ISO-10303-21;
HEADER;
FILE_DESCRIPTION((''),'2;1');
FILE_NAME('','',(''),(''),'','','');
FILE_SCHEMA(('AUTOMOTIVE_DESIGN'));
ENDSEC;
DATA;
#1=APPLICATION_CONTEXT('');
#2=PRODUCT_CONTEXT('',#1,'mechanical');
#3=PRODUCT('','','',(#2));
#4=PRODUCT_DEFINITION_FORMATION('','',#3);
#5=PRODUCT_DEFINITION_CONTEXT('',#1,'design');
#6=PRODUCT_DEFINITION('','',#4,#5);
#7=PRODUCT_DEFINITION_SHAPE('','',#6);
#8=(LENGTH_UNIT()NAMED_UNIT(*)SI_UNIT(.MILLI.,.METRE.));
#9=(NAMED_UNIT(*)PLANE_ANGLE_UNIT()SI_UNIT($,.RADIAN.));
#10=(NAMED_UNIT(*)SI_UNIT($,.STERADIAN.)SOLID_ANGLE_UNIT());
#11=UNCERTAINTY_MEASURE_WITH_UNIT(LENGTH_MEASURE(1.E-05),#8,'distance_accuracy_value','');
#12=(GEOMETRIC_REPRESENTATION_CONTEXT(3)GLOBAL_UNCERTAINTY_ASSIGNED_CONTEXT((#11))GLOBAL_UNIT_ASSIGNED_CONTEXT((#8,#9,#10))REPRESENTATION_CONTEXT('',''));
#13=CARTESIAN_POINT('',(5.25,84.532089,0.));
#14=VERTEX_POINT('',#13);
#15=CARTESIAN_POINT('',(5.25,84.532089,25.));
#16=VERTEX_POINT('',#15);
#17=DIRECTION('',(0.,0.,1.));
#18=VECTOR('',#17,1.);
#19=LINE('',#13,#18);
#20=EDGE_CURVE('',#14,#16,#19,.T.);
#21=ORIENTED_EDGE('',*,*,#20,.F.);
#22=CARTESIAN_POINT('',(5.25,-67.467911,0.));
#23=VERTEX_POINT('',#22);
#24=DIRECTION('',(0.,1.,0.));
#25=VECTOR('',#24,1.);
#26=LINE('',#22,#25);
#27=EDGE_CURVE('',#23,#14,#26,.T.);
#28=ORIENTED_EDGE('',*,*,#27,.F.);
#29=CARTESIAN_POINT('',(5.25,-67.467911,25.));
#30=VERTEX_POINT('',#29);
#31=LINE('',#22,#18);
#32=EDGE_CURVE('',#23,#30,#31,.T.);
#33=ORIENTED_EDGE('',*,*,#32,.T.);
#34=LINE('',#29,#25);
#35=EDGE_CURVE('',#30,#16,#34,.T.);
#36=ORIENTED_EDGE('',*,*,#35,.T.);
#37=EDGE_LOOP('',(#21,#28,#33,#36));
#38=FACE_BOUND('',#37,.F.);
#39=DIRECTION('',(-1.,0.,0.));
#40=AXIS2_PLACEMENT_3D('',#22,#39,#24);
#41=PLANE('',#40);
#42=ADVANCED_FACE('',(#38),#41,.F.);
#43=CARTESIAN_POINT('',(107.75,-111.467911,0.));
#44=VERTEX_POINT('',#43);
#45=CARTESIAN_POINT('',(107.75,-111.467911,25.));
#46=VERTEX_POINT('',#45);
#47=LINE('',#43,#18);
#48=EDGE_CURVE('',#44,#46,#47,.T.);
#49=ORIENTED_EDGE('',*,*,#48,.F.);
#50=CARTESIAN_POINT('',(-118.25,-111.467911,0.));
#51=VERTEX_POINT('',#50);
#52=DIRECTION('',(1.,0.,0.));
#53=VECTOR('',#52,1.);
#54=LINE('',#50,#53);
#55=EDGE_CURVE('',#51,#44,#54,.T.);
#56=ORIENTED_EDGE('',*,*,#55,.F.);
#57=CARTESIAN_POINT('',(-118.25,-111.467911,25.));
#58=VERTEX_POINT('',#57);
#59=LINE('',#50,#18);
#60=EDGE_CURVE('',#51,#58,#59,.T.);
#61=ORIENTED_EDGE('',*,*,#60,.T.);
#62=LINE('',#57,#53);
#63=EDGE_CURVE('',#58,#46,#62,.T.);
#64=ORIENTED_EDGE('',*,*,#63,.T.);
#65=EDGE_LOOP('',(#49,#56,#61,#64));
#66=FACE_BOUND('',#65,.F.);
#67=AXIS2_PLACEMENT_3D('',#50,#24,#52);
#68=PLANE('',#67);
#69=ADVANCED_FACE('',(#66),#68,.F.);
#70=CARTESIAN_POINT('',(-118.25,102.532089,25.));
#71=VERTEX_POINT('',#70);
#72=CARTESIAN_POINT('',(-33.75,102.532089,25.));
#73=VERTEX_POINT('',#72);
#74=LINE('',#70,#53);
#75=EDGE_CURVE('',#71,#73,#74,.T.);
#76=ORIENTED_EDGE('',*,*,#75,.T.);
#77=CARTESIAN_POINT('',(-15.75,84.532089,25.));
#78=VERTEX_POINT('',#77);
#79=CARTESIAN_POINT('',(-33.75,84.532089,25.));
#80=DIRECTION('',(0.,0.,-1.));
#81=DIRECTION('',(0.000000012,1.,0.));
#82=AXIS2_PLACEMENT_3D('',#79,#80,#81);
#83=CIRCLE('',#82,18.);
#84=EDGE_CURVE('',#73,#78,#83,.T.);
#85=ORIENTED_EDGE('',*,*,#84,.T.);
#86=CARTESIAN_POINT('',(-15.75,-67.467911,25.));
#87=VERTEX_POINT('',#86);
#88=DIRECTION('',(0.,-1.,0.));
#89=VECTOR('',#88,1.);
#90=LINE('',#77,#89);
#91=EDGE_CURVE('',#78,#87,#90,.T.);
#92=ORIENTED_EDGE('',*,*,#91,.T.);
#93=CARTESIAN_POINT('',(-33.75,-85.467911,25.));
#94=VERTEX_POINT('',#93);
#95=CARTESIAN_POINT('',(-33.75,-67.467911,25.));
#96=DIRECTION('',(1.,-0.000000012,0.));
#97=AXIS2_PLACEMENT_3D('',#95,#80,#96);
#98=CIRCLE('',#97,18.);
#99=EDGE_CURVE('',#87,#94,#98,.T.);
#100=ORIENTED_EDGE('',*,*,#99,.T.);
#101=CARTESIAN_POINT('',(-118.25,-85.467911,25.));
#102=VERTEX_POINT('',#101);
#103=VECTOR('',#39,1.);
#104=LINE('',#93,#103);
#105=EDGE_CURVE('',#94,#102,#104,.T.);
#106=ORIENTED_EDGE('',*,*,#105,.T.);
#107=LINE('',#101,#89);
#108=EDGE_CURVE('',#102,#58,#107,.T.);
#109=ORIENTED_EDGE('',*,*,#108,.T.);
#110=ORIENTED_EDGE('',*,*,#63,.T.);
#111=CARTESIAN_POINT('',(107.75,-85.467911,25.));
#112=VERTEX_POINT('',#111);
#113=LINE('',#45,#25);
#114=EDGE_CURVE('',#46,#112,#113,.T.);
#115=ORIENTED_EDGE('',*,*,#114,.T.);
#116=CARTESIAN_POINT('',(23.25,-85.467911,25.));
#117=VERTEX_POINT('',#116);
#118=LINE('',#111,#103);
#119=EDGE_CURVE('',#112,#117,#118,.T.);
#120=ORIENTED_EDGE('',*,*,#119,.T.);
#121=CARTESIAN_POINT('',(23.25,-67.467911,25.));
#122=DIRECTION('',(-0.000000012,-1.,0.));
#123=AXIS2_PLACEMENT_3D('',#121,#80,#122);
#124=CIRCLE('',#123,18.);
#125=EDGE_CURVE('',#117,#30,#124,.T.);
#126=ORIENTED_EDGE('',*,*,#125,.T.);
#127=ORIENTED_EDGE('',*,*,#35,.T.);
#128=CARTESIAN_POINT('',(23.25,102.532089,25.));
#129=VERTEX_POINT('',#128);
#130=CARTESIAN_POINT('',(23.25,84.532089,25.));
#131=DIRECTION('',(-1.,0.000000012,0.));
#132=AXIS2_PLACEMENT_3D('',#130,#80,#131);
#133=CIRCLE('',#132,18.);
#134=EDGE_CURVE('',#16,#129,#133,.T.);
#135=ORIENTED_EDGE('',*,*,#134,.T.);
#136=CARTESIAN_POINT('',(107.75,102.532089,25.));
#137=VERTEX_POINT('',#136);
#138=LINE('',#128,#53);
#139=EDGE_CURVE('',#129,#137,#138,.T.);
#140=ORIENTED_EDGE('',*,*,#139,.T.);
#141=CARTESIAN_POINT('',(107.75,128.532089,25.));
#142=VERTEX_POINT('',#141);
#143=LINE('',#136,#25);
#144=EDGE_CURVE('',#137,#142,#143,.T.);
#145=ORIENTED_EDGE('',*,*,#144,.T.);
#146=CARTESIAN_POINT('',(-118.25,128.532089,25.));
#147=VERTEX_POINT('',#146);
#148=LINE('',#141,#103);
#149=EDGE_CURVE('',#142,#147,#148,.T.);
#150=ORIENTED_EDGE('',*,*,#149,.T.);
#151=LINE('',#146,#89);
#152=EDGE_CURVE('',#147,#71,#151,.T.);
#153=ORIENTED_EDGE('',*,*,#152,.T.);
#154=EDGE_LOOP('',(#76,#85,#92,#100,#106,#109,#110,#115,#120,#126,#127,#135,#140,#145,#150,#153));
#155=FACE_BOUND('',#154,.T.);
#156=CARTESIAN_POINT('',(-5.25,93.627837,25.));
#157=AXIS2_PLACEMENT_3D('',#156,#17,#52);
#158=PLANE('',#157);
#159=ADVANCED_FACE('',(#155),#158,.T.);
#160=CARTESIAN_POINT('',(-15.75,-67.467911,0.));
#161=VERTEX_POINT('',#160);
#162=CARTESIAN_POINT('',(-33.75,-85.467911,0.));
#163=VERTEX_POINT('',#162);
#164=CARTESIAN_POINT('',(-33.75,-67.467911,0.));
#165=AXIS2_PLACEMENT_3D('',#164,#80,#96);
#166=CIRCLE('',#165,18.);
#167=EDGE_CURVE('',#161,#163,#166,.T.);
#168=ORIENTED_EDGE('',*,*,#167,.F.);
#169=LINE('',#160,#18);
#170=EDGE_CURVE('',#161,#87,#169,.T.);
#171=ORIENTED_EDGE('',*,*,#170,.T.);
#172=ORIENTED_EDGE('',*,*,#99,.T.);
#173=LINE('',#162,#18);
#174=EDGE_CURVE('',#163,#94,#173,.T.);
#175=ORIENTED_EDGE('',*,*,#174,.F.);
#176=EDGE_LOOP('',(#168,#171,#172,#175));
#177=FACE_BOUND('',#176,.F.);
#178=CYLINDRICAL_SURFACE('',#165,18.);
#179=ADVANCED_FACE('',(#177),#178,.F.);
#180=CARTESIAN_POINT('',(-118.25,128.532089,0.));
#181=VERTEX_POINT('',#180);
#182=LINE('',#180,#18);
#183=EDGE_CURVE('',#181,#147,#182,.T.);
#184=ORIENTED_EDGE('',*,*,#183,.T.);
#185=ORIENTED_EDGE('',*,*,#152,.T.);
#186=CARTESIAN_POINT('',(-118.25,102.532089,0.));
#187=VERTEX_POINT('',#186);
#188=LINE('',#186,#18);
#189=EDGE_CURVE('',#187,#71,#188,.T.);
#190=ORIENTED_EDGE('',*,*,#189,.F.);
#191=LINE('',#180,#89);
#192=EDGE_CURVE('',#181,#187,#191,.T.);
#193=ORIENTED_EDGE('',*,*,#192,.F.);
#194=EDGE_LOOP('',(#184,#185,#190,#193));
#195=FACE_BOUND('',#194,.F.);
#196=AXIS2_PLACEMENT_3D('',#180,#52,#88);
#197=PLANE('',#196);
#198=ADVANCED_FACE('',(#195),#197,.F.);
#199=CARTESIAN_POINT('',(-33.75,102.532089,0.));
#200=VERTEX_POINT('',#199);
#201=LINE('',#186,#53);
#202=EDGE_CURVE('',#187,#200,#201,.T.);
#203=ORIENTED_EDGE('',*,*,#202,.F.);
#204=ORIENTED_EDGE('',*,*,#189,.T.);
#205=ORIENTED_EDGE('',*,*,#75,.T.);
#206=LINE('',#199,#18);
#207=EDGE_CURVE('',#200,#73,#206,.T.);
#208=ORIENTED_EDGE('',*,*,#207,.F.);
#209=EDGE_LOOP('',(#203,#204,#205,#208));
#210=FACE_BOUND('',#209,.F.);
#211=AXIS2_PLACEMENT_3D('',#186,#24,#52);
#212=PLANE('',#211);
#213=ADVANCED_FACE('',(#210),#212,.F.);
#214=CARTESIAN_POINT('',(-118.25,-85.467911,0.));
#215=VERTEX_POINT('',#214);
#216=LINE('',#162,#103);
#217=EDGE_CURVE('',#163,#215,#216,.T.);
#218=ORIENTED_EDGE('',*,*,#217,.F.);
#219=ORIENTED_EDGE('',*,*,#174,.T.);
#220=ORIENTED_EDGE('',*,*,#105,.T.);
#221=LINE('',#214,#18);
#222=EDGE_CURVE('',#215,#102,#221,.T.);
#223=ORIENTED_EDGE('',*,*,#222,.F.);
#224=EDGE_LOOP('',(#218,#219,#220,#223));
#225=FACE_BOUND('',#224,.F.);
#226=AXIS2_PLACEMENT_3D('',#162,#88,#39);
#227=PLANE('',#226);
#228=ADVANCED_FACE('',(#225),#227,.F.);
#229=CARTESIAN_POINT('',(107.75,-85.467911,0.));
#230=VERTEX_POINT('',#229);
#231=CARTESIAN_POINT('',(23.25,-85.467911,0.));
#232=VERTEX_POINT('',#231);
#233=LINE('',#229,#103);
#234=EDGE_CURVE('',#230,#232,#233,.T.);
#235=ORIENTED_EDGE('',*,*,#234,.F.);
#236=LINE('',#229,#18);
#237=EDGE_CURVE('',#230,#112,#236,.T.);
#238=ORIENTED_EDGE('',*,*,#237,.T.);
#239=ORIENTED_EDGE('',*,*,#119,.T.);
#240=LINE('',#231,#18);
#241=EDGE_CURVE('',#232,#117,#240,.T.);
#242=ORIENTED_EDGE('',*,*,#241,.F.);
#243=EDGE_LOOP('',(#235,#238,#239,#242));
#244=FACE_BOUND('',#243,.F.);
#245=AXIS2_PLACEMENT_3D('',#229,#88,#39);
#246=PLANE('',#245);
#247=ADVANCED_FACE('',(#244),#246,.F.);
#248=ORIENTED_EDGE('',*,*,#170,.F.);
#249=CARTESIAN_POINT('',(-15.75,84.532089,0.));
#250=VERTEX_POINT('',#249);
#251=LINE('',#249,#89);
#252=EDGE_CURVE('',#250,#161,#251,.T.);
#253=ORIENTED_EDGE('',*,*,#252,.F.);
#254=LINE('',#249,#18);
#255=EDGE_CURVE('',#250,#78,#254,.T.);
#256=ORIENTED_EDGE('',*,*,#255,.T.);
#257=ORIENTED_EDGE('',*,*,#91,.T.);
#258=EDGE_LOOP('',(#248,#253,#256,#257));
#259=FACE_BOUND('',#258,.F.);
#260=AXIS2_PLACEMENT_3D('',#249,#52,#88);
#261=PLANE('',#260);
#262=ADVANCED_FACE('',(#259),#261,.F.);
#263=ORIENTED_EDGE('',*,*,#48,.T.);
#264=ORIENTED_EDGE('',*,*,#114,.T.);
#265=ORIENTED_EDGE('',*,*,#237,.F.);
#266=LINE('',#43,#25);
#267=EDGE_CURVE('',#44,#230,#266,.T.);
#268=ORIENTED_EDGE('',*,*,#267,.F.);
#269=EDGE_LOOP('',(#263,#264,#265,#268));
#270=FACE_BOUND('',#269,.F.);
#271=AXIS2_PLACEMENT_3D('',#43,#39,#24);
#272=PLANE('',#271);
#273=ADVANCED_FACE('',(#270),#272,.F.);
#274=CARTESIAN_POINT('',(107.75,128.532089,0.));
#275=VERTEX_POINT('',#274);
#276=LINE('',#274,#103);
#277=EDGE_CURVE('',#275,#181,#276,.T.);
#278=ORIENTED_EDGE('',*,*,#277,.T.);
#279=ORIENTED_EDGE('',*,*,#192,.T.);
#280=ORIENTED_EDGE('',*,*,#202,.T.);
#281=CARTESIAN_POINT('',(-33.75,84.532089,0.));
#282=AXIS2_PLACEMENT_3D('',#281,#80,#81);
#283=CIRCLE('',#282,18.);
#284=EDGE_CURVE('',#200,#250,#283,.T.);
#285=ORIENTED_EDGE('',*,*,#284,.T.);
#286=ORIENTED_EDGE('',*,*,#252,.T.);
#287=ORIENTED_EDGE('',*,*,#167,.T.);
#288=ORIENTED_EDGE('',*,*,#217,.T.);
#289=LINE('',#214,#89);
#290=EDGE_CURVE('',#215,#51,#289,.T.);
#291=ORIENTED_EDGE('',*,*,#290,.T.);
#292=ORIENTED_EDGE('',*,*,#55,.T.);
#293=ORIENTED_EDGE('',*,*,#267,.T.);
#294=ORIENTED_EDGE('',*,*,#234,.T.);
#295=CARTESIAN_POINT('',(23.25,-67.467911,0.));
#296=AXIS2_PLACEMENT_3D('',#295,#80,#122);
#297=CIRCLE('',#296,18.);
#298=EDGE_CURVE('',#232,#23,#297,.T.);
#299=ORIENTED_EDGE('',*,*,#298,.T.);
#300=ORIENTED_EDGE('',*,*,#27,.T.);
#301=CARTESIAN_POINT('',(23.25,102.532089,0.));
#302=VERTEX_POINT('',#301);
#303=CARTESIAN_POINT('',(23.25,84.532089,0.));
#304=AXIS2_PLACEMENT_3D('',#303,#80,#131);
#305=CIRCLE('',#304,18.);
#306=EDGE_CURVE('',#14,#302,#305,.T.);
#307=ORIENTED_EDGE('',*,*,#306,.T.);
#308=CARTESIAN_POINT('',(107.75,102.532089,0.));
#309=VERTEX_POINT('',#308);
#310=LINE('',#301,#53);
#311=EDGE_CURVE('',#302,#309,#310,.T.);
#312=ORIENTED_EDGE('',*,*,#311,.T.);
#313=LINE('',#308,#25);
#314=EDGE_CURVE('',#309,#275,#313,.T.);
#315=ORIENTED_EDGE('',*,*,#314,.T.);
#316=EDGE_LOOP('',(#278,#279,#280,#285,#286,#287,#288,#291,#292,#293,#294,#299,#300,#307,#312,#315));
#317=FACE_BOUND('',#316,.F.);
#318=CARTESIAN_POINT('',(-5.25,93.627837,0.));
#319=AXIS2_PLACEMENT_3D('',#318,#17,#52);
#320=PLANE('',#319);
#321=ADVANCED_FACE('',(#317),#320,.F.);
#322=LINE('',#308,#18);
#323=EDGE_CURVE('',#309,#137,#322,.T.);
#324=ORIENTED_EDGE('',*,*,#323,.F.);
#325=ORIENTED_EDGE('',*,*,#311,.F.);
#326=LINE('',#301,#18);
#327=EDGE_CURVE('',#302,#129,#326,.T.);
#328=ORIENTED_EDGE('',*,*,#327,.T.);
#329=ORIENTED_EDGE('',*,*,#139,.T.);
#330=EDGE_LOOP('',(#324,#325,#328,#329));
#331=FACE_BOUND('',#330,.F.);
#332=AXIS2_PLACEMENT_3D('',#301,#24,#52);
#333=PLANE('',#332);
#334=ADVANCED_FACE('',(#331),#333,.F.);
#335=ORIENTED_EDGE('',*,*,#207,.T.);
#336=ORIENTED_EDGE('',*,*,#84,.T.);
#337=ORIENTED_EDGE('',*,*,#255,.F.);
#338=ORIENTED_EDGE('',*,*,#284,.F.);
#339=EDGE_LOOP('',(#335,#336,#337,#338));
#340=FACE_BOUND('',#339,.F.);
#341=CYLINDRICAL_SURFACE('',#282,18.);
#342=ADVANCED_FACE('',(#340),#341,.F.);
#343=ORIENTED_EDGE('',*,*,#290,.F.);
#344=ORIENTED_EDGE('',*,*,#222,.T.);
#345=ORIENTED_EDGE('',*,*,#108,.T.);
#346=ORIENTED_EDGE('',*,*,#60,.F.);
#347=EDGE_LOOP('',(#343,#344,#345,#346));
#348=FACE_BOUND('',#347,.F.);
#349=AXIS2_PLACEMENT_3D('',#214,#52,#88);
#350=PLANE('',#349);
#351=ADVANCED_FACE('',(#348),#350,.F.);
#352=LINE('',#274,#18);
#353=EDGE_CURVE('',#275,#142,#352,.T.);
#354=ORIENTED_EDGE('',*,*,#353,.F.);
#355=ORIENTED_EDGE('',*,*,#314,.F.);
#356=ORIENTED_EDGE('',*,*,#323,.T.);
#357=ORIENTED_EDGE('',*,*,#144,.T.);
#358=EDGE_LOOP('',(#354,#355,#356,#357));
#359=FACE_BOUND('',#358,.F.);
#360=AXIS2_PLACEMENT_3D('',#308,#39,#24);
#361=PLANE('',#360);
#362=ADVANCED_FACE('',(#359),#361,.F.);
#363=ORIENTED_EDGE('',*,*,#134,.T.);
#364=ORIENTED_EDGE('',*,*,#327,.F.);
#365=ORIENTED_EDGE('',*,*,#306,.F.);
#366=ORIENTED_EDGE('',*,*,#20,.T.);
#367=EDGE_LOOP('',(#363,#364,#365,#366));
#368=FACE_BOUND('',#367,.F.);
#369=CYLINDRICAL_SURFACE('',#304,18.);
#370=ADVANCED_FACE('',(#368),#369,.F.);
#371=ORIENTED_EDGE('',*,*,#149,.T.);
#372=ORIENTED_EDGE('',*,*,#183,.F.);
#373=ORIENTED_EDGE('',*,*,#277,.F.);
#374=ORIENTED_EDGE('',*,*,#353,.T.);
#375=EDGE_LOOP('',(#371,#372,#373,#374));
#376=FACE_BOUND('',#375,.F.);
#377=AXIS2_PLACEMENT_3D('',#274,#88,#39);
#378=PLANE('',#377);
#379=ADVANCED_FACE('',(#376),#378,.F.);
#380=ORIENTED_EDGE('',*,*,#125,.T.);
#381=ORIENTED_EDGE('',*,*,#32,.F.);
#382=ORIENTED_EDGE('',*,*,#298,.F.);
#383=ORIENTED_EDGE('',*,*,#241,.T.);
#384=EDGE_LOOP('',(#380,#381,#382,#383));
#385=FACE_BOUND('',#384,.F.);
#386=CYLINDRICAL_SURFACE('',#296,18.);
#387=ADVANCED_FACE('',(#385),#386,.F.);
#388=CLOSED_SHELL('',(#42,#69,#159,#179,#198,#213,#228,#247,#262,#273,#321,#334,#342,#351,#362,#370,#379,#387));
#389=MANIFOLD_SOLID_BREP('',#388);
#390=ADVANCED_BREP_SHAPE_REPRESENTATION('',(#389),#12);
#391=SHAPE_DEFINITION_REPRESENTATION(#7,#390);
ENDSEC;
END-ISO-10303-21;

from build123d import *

# Parameters (mm, degrees)
F1_DEPTH = 25


with BuildPart() as f1:
    # F0 (on Top) → F1 (new body)
    with BuildSketch(Plane.XY):
        with BuildLine():
            Line((107.75, 128.532089), (-118.25, 128.532089))
            Line((-118.25, 128.532089), (-118.25, 102.532089))
            Line((-118.25, 102.532089), (-33.75, 102.532089))
            ThreePointArc((-33.75, 102.532089), (-21.022078, 97.260011), (-15.75, 84.532089))
            Line((-15.75, 84.532089), (-15.75, 0))
            Line((-15.75, 0), (5.25, 0))
            Line((5.25, 0), (5.25, 84.532089))
            ThreePointArc((5.25, 84.532089), (10.522078, 97.260011), (23.25, 102.532089))
            Line((23.25, 102.532089), (107.75, 102.532089))
            Line((107.75, 102.532089), (107.75, 128.532089))
        make_face()
        with BuildLine():
            Line((5.25, 0), (-15.75, 0))
            Line((-15.75, 0), (-15.75, -67.467911))
            ThreePointArc((-15.75, -67.467911), (-21.022078, -80.195833), (-33.75, -85.467911))
            Line((-33.75, -85.467911), (-118.25, -85.467911))
            Line((-118.25, -85.467911), (-118.25, -111.467911))
            Line((-118.25, -111.467911), (107.75, -111.467911))
            Line((107.75, -111.467911), (107.75, -85.467911))
            Line((107.75, -85.467911), (23.25, -85.467911))
            ThreePointArc((23.25, -85.467911), (10.522078, -80.195833), (5.25, -67.467911))
            Line((5.25, -67.467911), (5.25, 0))
        make_face()
    extrude(amount=F1_DEPTH)


solid = f1.part
